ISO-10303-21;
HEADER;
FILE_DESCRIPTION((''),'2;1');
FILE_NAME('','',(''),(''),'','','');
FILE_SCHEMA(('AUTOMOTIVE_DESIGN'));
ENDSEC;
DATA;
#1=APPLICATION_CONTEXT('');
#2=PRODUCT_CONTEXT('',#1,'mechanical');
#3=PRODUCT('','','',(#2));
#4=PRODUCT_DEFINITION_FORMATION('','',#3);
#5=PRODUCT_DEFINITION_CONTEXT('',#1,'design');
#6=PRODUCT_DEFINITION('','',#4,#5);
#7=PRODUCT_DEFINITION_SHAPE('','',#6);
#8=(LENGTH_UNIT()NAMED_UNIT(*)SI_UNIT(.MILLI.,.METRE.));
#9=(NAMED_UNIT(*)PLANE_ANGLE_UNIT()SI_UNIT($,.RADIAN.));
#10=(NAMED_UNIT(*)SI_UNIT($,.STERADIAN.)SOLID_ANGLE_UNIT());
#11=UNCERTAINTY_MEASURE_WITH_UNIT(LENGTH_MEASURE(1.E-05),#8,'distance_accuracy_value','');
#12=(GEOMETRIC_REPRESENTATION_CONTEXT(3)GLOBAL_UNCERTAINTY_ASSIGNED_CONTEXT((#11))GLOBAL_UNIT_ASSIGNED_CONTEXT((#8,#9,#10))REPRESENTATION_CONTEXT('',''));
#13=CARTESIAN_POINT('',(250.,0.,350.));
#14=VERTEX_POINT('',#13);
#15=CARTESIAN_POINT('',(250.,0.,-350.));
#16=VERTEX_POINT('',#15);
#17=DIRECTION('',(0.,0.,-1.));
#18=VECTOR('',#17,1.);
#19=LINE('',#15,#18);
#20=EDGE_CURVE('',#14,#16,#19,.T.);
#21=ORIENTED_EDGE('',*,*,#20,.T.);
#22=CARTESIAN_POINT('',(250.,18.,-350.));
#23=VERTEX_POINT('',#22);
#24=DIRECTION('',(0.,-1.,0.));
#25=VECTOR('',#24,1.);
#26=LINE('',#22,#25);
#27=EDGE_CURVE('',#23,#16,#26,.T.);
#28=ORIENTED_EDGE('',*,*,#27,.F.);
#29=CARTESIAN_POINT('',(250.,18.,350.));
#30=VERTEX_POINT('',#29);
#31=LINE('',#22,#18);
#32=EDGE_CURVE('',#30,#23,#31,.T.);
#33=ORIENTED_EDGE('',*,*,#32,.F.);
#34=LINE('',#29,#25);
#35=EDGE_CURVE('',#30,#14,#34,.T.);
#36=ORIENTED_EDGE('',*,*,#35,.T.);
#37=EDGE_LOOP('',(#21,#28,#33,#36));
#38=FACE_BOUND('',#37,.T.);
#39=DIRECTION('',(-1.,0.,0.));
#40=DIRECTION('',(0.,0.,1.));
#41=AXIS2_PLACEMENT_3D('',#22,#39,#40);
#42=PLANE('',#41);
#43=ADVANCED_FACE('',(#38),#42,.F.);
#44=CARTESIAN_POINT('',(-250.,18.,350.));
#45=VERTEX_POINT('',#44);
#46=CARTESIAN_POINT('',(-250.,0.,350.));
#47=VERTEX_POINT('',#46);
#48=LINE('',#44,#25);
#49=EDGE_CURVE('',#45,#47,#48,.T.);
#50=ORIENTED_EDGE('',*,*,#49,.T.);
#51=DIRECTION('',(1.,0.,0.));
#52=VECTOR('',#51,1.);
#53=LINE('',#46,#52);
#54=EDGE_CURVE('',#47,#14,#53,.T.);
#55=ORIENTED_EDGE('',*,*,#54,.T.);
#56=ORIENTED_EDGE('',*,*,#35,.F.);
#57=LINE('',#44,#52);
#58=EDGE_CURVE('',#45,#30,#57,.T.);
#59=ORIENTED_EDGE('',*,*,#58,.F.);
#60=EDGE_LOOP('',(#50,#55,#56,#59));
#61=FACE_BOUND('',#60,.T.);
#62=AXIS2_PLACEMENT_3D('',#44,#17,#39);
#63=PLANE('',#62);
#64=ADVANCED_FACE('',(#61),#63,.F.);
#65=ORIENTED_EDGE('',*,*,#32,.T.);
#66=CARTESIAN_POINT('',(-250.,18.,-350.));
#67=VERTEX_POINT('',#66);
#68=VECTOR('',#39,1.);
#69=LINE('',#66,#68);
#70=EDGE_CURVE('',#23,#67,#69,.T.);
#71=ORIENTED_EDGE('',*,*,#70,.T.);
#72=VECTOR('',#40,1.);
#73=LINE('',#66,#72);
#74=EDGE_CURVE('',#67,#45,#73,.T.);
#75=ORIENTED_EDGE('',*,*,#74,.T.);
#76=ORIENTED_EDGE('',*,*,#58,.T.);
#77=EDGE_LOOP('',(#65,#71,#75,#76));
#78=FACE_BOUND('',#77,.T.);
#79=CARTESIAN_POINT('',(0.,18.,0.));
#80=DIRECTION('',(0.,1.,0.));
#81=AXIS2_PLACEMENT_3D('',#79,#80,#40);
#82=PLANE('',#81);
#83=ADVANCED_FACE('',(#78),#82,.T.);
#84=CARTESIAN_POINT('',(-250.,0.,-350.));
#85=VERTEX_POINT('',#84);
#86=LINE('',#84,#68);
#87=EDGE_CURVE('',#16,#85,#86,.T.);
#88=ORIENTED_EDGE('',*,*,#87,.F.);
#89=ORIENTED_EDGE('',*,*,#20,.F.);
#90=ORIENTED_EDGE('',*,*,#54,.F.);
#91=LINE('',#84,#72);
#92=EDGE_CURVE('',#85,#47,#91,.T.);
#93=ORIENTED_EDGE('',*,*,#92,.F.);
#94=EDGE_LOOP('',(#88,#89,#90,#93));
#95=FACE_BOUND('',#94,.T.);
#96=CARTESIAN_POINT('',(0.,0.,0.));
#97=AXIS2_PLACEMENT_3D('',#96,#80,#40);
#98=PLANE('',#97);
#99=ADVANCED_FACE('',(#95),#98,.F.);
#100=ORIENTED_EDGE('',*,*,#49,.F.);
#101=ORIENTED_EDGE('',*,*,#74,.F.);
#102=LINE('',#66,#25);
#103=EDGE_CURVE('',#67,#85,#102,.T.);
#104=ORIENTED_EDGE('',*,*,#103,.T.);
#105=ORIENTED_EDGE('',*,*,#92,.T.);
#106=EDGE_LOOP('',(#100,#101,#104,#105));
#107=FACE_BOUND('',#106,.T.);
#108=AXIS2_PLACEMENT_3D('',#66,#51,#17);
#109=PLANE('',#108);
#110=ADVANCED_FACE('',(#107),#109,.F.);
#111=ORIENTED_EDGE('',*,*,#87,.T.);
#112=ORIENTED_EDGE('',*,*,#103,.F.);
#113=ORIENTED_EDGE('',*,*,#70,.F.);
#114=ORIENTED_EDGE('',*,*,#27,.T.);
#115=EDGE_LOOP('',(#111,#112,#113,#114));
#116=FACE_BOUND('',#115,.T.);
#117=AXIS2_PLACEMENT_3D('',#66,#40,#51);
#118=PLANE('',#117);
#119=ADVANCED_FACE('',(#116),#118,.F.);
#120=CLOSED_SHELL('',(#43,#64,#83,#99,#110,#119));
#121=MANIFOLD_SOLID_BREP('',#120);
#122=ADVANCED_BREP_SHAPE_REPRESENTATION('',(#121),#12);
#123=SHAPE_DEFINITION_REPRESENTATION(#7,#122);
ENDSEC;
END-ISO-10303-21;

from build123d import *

# Parameters (mm, degrees)
ESQUISSE1_W        = 500
ESQUISSE1_H        = 700
BOSS_EXTRU_1_DEPTH = 18


with BuildPart() as part:
    # Esquisse1 → Boss.-Extru.1 (new body)
    with BuildSketch(Plane(origin=(0, 0, 0), x_dir=(1, 0, 0), z_dir=(0, 1, 0))):
        Rectangle(ESQUISSE1_W, ESQUISSE1_H)
    extrude(amount=BOSS_EXTRU_1_DEPTH)


solid = part.part
